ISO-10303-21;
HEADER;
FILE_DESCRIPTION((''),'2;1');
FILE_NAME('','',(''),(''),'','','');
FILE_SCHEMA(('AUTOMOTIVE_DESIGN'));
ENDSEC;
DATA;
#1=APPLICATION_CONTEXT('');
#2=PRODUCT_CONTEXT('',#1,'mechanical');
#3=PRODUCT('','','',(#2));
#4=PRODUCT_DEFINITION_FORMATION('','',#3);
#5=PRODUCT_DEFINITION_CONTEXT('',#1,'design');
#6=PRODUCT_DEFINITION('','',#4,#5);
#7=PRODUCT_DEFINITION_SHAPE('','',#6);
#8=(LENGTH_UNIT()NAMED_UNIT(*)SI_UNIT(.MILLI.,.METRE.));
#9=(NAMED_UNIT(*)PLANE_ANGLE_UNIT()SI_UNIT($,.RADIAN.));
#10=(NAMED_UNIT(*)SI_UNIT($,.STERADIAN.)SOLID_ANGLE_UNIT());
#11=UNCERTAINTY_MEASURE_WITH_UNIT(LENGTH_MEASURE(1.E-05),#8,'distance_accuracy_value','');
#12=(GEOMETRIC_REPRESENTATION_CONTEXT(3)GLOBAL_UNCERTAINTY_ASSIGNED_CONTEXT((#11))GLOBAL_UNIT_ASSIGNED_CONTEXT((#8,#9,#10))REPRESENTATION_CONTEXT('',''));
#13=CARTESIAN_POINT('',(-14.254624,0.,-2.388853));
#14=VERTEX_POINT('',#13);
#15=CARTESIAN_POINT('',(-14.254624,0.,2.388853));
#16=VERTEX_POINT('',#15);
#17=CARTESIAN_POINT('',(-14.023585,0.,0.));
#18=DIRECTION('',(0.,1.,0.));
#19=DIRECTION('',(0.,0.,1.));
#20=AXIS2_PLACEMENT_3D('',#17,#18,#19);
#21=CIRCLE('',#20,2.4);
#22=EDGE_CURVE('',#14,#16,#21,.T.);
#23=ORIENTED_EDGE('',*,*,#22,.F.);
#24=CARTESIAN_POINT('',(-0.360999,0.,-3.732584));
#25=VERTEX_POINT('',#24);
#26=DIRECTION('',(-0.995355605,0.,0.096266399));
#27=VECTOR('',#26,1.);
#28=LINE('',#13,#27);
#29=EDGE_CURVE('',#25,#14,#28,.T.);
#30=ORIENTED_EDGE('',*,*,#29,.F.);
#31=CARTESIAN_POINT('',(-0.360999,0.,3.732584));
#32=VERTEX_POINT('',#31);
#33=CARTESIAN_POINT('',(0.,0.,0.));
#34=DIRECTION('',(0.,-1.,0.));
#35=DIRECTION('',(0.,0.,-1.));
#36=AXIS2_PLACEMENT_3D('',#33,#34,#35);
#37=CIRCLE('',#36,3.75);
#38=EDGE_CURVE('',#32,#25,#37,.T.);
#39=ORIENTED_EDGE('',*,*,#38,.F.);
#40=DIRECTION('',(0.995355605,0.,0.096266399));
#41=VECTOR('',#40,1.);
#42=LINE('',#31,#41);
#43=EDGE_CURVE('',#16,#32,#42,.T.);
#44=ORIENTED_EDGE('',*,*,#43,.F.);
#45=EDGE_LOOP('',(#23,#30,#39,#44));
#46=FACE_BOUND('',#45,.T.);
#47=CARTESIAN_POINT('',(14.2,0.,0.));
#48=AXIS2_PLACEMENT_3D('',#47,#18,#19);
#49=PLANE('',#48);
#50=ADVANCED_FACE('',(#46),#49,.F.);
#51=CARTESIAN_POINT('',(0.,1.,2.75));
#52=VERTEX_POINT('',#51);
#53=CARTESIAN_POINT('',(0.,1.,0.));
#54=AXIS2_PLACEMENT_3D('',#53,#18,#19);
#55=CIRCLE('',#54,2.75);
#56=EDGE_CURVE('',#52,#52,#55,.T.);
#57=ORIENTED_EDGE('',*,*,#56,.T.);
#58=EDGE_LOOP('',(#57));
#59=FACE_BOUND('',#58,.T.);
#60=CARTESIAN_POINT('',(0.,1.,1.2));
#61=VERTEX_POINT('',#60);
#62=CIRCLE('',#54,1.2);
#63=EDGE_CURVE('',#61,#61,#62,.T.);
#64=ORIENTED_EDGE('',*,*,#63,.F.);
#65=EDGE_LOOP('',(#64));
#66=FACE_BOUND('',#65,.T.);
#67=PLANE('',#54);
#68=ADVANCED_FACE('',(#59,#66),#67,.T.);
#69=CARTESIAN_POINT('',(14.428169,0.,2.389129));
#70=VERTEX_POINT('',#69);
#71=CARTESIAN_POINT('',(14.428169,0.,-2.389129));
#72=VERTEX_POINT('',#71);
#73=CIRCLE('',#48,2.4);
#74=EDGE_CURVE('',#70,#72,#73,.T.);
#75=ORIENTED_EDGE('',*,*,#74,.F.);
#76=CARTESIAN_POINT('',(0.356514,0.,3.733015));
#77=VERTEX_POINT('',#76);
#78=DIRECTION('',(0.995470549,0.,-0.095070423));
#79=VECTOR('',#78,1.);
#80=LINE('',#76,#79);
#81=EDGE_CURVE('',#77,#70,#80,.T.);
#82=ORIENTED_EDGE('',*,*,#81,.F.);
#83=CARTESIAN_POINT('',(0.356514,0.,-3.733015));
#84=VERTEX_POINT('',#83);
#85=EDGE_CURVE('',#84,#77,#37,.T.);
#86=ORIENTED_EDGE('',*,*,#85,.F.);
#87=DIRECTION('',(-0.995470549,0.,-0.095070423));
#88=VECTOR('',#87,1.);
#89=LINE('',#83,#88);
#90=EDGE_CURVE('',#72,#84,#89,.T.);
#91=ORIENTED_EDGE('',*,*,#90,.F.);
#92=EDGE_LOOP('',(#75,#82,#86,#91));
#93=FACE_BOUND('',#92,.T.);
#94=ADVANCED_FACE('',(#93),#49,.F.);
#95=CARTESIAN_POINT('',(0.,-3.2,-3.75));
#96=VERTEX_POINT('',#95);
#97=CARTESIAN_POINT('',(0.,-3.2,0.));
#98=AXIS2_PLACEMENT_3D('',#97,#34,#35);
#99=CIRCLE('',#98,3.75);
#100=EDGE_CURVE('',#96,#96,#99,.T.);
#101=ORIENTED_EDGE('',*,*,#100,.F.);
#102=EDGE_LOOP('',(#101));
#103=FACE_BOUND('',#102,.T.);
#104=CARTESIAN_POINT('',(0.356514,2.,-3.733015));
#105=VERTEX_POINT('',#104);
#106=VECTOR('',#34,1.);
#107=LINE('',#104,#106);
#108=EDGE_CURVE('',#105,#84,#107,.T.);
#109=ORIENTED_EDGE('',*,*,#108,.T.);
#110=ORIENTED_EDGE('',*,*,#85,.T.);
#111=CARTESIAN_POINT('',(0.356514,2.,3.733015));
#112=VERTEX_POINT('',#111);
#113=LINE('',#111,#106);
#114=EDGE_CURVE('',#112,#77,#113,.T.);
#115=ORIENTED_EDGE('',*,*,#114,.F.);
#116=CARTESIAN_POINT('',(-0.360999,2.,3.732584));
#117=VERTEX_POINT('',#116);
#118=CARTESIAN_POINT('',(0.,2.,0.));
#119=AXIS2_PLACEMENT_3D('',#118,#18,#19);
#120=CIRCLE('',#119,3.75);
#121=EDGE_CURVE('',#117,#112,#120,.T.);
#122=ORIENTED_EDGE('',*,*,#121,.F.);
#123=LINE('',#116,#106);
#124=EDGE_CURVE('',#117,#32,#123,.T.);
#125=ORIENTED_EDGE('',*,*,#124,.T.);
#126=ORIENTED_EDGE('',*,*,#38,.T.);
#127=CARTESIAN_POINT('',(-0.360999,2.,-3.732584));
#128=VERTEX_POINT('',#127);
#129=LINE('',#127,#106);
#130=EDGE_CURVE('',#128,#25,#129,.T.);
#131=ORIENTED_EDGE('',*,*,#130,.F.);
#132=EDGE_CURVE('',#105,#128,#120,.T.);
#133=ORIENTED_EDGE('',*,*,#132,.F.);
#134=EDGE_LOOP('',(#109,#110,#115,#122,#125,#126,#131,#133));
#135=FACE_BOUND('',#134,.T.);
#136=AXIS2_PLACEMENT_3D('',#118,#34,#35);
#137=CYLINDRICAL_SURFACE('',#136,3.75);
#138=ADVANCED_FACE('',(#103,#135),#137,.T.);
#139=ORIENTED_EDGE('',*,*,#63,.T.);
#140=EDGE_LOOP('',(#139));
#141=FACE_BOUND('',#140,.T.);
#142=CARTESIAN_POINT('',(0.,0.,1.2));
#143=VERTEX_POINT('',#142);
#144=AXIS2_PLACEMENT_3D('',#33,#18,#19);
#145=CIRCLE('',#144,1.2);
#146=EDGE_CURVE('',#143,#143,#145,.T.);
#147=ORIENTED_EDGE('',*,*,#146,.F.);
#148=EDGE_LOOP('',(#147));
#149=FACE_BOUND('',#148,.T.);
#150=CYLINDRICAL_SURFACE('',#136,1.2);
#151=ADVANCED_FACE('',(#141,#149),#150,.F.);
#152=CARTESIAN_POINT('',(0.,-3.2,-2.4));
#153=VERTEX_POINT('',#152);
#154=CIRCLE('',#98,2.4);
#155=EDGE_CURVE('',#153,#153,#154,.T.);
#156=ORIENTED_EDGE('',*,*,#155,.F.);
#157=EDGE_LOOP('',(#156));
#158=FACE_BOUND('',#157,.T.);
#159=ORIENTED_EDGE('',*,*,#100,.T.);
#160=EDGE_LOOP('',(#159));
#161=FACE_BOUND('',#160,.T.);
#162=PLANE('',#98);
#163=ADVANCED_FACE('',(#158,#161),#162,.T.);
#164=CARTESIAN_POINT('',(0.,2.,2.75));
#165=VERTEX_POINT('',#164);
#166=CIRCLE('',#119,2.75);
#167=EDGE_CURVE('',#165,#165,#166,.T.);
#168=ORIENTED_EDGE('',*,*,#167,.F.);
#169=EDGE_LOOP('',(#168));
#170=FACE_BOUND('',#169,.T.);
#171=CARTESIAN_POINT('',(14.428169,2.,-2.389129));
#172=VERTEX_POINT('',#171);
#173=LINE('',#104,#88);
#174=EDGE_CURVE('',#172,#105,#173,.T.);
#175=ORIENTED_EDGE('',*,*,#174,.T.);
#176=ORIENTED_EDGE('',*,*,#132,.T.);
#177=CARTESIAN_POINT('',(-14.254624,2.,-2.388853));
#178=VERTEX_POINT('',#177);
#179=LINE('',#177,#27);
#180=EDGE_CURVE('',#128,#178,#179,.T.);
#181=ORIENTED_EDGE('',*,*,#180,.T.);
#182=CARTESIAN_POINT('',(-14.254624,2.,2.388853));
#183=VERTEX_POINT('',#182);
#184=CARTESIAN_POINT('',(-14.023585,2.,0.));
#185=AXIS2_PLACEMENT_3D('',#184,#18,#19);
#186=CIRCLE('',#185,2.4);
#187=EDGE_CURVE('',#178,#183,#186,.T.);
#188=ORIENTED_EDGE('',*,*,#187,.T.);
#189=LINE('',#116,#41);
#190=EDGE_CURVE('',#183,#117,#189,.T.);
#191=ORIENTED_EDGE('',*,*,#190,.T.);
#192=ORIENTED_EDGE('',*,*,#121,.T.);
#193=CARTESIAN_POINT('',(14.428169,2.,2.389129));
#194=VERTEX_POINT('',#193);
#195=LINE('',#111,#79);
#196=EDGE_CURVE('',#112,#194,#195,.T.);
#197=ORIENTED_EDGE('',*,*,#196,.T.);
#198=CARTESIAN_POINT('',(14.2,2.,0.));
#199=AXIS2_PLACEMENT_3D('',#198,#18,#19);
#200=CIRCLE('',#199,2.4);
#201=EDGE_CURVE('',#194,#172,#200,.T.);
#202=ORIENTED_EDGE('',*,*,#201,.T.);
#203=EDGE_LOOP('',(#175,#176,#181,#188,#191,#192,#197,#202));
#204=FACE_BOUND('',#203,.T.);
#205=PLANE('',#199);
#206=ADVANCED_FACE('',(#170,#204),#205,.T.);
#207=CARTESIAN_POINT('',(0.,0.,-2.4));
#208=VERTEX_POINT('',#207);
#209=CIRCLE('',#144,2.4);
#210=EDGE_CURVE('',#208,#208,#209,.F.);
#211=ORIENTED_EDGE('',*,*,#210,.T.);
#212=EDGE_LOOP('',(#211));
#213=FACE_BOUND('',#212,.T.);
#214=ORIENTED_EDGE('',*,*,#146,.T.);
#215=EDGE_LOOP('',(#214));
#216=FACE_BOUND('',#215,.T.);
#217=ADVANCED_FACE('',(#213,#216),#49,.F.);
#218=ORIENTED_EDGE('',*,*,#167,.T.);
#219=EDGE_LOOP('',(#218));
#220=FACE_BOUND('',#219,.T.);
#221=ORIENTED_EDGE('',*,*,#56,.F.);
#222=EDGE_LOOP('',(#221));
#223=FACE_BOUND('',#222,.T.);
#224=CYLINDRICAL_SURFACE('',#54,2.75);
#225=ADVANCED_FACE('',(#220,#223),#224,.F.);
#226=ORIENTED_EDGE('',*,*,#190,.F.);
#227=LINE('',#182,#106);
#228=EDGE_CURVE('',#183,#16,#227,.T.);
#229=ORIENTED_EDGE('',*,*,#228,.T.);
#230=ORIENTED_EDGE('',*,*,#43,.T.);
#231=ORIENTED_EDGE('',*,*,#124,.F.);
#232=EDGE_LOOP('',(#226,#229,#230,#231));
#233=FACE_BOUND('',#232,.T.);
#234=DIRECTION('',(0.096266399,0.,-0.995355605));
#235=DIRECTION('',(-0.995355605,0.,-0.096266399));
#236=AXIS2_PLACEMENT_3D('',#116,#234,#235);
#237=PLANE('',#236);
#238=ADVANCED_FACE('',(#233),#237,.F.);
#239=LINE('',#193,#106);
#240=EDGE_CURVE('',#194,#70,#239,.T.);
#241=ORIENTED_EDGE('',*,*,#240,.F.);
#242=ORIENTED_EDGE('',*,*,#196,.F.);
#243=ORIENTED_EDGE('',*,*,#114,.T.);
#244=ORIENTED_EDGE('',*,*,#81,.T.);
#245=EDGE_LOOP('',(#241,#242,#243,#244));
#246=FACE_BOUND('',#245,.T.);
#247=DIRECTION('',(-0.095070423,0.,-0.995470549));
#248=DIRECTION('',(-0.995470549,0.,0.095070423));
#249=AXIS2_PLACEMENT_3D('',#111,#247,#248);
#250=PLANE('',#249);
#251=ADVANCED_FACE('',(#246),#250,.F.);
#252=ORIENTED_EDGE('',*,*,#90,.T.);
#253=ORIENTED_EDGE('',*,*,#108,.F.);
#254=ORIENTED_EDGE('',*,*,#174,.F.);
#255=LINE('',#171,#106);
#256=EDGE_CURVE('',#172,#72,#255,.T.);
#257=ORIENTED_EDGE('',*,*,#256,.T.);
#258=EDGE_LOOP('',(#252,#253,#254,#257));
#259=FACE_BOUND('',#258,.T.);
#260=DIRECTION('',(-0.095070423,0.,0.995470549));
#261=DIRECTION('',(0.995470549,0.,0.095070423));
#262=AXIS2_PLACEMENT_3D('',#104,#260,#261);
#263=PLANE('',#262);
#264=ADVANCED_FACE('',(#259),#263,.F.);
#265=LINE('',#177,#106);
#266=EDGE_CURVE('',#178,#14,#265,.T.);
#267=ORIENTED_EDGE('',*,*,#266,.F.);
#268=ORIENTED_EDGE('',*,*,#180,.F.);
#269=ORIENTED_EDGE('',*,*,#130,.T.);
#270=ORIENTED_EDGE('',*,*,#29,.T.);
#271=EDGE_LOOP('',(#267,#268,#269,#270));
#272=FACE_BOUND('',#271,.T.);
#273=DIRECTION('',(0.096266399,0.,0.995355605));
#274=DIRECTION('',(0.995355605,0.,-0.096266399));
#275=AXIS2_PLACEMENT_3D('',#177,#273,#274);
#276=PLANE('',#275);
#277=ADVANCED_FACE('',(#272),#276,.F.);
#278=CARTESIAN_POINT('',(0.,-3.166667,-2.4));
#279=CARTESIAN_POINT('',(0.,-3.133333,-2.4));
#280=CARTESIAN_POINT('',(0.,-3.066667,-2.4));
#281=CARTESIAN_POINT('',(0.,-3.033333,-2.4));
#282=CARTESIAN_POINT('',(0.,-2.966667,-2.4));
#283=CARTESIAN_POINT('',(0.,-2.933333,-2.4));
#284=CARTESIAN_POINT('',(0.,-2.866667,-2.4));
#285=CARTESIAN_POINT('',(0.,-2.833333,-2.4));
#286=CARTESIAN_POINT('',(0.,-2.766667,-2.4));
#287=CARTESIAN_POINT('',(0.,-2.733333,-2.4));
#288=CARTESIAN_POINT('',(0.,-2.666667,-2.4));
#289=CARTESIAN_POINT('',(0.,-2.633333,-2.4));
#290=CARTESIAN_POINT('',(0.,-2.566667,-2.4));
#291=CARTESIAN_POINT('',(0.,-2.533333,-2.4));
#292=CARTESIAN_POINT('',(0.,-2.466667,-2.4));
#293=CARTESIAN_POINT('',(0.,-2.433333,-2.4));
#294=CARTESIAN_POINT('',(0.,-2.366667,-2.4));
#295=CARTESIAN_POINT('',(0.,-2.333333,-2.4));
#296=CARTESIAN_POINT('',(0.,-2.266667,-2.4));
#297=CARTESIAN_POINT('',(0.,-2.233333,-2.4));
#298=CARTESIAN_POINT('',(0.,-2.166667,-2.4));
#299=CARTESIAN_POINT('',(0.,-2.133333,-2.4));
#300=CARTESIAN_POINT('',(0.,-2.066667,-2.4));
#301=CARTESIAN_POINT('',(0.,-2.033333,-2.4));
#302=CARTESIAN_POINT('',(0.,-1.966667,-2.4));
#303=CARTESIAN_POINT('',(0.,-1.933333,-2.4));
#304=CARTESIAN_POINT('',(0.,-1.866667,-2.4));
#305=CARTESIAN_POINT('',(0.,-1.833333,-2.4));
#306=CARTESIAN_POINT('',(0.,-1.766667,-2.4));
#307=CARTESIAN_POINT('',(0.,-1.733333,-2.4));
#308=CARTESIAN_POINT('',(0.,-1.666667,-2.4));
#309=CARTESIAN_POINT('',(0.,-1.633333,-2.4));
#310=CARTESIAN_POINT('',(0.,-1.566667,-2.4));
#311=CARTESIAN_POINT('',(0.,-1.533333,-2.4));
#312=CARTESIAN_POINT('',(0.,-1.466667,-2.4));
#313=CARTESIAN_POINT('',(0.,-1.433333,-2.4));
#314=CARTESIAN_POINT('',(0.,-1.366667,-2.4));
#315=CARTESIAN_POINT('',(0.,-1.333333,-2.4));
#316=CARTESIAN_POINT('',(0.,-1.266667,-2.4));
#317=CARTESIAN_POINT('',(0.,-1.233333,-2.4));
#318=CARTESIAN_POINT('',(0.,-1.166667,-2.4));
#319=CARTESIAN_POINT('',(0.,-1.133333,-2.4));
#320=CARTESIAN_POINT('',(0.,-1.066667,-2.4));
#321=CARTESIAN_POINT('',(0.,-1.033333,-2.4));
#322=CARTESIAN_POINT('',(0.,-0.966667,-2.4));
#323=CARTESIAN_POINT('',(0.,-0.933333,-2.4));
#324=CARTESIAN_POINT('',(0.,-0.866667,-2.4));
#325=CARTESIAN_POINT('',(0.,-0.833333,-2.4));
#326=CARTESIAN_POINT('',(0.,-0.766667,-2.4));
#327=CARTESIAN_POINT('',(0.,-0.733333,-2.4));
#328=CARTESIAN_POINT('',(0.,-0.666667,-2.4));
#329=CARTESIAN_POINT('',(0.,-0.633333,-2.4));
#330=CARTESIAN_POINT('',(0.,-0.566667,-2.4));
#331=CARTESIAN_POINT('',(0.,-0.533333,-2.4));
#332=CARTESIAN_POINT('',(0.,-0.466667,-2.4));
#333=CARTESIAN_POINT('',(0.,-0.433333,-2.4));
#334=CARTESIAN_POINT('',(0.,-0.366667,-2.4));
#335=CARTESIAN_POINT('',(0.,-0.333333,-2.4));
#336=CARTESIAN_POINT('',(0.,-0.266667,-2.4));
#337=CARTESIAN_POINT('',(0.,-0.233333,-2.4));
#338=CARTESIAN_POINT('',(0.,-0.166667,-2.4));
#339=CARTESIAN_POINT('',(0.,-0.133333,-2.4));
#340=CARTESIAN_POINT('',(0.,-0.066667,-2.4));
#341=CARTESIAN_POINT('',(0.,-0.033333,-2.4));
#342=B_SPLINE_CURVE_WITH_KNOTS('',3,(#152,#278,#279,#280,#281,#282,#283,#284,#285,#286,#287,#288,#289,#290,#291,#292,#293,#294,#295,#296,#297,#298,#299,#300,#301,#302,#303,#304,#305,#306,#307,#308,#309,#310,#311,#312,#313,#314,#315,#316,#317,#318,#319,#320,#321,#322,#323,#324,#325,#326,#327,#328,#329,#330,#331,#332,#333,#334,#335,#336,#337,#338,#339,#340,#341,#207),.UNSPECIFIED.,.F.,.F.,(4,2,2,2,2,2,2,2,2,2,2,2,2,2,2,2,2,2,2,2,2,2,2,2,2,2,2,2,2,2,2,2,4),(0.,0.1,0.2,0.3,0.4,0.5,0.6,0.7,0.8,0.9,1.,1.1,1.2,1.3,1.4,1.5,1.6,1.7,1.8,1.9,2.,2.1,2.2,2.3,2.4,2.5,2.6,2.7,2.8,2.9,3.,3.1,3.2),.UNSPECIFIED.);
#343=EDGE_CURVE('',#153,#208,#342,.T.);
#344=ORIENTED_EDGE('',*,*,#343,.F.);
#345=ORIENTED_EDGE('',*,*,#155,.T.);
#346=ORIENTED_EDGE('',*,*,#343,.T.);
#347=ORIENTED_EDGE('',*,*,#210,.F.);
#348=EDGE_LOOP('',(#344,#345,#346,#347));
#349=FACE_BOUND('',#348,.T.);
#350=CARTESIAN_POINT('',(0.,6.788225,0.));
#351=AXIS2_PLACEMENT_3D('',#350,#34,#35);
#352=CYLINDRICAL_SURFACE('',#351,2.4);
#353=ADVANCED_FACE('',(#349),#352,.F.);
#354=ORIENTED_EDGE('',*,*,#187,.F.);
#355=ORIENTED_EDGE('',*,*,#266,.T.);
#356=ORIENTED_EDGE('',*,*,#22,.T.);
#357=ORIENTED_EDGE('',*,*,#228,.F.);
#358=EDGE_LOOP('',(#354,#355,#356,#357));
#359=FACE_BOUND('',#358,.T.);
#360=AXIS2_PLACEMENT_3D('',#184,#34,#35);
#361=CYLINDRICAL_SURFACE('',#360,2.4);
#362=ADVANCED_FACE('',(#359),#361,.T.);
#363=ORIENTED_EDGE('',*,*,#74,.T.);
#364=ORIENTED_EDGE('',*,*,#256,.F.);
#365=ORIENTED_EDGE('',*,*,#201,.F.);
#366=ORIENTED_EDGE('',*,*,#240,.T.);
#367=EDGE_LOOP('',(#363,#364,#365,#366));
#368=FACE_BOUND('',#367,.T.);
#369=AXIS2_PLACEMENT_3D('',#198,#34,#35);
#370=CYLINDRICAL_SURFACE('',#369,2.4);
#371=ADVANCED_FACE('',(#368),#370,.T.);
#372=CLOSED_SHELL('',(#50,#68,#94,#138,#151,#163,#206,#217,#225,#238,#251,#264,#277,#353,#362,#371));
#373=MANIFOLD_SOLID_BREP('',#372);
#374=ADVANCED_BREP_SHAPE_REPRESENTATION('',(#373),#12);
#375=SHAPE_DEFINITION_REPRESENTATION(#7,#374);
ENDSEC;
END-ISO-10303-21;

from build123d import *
from build123d.topology import SkipClean

# Parameters (mm, degrees)
SKETCH1_R           = 1.2
BOSS_EXTRUDE1_DEPTH = 2
BOSS_EXTRUDE2_START = 3.2
SKETCH2_R           = 1.2
BOSS_EXTRUDE2_DEPTH = 3.2
SKETCH3_R           = 2.4
CUT_EXTRUDE3_DEPTH  = 3.2
SKETCH4_R           = 2.75
CUT_EXTRUDE4_DEPTH  = 1


with BuildPart() as part:
    # Sketch1 → Boss-Extrude1 (new body)
    with BuildSketch(Plane(origin=(0, 0, 0), x_dir=(1, 0, 0), z_dir=(0, 1, 0))):
        with BuildLine():
            Line((0.356514085, 3.73301456), (14.428169014, 2.389129319))
            ThreePointArc((14.428169014, 2.389129319), (16.6, 0), (14.428169014, -2.389129319))
            Line((14.428169014, -2.389129319), (0.356514085, -3.73301456))
            ThreePointArc((0.356514085, -3.73301456), (-0.00225279, -3.749999323), (-0.360998998, -3.732583519))
            Line((-0.360998998, -3.732583519), (-14.254623989, -2.388853452))
            ThreePointArc((-14.254623989, -2.388853452), (-16.42358463, 0), (-14.254623989, 2.388853452))
            Line((-14.254623989, 2.388853452), (-0.360998998, 3.732583519))
            ThreePointArc((-0.360998998, 3.732583519), (-0.00225279, 3.749999323), (0.356514085, 3.73301456))
        make_face()
        with Locations(Location((0, 0, 0), (0, 0, 270))):
            Circle(SKETCH1_R, mode=Mode.SUBTRACT)
    extrude(amount=BOSS_EXTRUDE1_DEPTH)

    # Sketch2 → Boss-Extrude2 (add)
    with SkipClean():  # the faces are left unmerged after this step: merging them gives an invalid solid
        with BuildSketch(Plane.XZ.offset(BOSS_EXTRUDE2_START)):
            with BuildLine():
                ThreePointArc((3.75, 0), (2.774835835, 2.522456361), (0.356514085, 3.73301456))
                ThreePointArc((0.356514085, 3.73301456), (-0.00225279, 3.749999323), (-0.360998998, 3.732583519))
                ThreePointArc((-0.360998998, 3.732583519), (-3.75, 0), (-0.360998998, -3.732583519))
                ThreePointArc((-0.360998998, -3.732583519), (-0.00225279, -3.749999323), (0.356514085, -3.73301456))
                ThreePointArc((0.356514085, -3.73301456), (2.774835835, -2.522456361), (3.75, 0))
            make_face()
            with Locations(Location((0, 0, 0), (0, 0, 270))):
                Circle(SKETCH2_R, mode=Mode.SUBTRACT)
        extrude(amount=-BOSS_EXTRUDE2_DEPTH)

    # Sketch3 → Cut-Extrude3 (cut)
    with BuildSketch(Plane.XZ.offset(3.2)):
        with Locations(Location((0, 0, 0), (0, 0, 270))):
            Circle(SKETCH3_R)
    extrude(amount=-CUT_EXTRUDE3_DEPTH, mode=Mode.SUBTRACT)

    # Sketch4 → Cut-Extrude4 (cut)
    with BuildSketch(Plane(origin=(0, 2, 0), x_dir=(1, 0, 0), z_dir=(0, 1, 0))):
        with Locations(Location((0, 0, 0), (0, 0, 270))):
            Circle(SKETCH4_R)
    extrude(amount=-CUT_EXTRUDE4_DEPTH, mode=Mode.SUBTRACT)


solid = part.part
